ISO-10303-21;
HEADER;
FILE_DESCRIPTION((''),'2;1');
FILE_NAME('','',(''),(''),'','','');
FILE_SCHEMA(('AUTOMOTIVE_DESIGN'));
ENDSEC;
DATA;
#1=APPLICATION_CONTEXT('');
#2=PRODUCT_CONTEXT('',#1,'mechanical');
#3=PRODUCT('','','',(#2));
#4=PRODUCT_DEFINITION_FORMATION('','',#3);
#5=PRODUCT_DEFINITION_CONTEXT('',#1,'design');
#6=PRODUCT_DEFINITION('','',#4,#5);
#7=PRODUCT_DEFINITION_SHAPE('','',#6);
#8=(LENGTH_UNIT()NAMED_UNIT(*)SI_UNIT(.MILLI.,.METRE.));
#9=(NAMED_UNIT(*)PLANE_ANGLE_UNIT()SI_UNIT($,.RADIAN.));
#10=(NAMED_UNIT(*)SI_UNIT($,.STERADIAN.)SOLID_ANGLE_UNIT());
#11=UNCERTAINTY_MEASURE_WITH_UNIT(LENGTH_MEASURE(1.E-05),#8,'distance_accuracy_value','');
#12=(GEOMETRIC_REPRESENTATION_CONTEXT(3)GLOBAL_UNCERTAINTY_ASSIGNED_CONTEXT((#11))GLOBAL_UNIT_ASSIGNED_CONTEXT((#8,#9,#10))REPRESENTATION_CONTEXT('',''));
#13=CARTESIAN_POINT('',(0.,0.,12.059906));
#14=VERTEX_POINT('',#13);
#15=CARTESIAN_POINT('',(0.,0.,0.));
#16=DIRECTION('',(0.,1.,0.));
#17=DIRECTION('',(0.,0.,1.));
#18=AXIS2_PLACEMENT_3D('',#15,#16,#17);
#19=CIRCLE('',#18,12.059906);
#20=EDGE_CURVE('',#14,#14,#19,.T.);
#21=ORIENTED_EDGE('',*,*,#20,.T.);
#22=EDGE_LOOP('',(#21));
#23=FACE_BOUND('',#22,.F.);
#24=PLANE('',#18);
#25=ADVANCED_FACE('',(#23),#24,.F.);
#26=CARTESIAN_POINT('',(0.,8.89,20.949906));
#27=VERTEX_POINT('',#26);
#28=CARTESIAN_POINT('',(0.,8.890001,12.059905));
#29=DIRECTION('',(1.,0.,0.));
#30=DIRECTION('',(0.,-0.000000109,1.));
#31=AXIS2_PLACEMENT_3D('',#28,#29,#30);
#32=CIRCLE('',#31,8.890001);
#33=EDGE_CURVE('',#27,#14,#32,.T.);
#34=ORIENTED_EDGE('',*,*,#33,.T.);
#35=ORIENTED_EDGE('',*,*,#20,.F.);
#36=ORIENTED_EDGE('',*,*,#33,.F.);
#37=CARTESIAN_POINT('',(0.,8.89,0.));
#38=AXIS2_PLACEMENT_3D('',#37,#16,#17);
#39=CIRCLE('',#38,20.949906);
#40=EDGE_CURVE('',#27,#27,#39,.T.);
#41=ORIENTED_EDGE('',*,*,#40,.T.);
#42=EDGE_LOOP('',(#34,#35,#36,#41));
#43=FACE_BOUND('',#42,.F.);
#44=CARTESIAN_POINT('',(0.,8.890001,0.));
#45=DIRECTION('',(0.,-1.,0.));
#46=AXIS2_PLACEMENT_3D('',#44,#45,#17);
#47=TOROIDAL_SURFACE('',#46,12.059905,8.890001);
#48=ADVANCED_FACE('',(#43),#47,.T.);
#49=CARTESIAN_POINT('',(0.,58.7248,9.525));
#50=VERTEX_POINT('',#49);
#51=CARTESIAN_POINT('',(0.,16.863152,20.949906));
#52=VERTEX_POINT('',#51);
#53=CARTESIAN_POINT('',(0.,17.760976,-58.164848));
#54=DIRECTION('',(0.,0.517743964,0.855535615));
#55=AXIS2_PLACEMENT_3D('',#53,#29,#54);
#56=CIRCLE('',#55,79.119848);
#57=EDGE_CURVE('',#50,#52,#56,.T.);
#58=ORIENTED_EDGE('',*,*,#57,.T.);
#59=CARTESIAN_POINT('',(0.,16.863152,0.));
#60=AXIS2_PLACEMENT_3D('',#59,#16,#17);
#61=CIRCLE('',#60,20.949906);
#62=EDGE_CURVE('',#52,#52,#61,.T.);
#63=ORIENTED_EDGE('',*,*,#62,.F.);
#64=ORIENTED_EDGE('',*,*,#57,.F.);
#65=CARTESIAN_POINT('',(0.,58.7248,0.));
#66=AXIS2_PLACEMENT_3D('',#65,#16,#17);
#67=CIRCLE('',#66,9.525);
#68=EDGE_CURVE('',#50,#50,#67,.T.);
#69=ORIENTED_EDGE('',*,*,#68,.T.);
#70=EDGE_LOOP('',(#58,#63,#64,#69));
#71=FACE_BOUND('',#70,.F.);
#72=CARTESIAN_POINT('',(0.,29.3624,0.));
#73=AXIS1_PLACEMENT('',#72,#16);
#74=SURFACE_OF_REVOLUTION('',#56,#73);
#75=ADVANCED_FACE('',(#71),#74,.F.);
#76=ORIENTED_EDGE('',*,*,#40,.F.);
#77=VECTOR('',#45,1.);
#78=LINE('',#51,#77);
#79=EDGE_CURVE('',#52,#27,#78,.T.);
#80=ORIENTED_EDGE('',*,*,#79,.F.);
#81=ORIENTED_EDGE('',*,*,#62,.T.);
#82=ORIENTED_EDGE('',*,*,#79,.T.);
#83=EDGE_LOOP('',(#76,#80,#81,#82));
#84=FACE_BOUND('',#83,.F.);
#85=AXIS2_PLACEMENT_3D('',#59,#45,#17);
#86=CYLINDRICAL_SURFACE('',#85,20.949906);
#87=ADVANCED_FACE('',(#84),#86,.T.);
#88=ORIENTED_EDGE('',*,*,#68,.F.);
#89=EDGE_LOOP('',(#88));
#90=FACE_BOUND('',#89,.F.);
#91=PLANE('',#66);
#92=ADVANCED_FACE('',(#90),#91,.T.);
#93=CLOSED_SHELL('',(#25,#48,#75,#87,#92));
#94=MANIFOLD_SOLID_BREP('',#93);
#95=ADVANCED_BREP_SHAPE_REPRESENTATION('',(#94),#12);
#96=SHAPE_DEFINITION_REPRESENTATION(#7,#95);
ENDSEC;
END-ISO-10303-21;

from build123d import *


with BuildPart() as f1:
    # F0 (on Right) → F1 (revolve)
    with BuildSketch(Plane.YZ):
        with BuildLine():
            Line((0, 12.059906), (0, 0))
            Line((0, 0), (58.7248, 0))
            Line((58.7248, 0), (58.7248, 9.525))
            ThreePointArc((58.7248, 9.525), (38.59252, 18.163372), (16.863152, 20.949906))
            Line((16.863152, 20.949906), (8.89, 20.949906))
            ThreePointArc((8.89, 20.949906), (2.603821, 18.346085), (0, 12.059906))
        make_face()
    revolve(axis=Axis((0, 29.3624, 0), (0, 1, 0)))


solid = f1.part
